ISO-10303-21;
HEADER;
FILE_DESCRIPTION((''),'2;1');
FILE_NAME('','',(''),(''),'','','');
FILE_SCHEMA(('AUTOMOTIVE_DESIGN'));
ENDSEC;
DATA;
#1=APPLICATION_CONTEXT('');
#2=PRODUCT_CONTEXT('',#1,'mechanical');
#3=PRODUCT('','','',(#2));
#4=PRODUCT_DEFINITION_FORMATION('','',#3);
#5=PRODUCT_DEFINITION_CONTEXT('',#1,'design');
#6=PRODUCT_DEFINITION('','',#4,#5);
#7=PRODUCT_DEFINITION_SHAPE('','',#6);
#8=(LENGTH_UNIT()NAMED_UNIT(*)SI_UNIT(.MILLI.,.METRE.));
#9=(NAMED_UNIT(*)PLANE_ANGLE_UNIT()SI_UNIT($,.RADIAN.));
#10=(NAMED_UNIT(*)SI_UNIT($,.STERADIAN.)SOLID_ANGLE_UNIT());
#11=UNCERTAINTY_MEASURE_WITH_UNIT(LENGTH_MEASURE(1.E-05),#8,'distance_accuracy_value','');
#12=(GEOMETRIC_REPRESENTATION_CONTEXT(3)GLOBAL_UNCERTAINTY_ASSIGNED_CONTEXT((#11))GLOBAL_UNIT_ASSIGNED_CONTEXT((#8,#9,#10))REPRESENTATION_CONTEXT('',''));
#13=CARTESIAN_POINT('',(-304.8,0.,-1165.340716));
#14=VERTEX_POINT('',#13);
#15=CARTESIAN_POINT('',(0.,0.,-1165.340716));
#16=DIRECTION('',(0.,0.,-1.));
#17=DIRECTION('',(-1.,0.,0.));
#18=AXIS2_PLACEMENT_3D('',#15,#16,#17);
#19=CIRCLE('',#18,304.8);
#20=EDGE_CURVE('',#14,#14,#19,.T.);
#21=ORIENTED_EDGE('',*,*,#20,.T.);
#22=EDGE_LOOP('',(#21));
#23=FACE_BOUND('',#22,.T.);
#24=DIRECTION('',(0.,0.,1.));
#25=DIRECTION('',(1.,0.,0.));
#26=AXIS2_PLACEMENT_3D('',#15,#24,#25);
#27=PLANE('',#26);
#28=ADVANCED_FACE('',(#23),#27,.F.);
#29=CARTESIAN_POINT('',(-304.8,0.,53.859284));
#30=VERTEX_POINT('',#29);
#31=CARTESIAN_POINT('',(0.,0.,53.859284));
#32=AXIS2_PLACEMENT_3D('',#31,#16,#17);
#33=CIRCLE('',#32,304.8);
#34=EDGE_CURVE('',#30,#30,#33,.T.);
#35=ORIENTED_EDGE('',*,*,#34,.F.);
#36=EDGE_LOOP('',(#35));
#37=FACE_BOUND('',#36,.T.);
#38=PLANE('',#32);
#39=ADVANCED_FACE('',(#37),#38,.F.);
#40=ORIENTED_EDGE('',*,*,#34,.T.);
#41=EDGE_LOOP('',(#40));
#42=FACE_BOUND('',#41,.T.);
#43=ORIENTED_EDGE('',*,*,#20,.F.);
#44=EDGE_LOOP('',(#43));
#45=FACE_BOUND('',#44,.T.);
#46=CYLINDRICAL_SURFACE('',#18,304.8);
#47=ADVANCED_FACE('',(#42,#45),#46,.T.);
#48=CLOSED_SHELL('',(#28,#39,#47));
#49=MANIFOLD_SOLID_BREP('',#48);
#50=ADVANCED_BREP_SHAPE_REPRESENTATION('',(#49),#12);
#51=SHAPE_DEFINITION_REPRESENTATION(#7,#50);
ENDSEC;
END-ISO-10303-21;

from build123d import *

# Parameters (mm, degrees)
SKETCH1_W = 304.8
SKETCH1_H = 1219.2


with BuildPart() as part:
    # Sketch1 → Revolve1 (revolve)
    with BuildSketch(Plane(origin=(0, 0, 0), x_dir=(1, 0, 0), z_dir=(0, 1, 0))):
        with Locations((152.4, 555.740716298)):
            Rectangle(SKETCH1_W, SKETCH1_H)
    revolve(axis=Axis((0, 0, -1165.340716298), (0, 0, 1)))


solid = part.part
